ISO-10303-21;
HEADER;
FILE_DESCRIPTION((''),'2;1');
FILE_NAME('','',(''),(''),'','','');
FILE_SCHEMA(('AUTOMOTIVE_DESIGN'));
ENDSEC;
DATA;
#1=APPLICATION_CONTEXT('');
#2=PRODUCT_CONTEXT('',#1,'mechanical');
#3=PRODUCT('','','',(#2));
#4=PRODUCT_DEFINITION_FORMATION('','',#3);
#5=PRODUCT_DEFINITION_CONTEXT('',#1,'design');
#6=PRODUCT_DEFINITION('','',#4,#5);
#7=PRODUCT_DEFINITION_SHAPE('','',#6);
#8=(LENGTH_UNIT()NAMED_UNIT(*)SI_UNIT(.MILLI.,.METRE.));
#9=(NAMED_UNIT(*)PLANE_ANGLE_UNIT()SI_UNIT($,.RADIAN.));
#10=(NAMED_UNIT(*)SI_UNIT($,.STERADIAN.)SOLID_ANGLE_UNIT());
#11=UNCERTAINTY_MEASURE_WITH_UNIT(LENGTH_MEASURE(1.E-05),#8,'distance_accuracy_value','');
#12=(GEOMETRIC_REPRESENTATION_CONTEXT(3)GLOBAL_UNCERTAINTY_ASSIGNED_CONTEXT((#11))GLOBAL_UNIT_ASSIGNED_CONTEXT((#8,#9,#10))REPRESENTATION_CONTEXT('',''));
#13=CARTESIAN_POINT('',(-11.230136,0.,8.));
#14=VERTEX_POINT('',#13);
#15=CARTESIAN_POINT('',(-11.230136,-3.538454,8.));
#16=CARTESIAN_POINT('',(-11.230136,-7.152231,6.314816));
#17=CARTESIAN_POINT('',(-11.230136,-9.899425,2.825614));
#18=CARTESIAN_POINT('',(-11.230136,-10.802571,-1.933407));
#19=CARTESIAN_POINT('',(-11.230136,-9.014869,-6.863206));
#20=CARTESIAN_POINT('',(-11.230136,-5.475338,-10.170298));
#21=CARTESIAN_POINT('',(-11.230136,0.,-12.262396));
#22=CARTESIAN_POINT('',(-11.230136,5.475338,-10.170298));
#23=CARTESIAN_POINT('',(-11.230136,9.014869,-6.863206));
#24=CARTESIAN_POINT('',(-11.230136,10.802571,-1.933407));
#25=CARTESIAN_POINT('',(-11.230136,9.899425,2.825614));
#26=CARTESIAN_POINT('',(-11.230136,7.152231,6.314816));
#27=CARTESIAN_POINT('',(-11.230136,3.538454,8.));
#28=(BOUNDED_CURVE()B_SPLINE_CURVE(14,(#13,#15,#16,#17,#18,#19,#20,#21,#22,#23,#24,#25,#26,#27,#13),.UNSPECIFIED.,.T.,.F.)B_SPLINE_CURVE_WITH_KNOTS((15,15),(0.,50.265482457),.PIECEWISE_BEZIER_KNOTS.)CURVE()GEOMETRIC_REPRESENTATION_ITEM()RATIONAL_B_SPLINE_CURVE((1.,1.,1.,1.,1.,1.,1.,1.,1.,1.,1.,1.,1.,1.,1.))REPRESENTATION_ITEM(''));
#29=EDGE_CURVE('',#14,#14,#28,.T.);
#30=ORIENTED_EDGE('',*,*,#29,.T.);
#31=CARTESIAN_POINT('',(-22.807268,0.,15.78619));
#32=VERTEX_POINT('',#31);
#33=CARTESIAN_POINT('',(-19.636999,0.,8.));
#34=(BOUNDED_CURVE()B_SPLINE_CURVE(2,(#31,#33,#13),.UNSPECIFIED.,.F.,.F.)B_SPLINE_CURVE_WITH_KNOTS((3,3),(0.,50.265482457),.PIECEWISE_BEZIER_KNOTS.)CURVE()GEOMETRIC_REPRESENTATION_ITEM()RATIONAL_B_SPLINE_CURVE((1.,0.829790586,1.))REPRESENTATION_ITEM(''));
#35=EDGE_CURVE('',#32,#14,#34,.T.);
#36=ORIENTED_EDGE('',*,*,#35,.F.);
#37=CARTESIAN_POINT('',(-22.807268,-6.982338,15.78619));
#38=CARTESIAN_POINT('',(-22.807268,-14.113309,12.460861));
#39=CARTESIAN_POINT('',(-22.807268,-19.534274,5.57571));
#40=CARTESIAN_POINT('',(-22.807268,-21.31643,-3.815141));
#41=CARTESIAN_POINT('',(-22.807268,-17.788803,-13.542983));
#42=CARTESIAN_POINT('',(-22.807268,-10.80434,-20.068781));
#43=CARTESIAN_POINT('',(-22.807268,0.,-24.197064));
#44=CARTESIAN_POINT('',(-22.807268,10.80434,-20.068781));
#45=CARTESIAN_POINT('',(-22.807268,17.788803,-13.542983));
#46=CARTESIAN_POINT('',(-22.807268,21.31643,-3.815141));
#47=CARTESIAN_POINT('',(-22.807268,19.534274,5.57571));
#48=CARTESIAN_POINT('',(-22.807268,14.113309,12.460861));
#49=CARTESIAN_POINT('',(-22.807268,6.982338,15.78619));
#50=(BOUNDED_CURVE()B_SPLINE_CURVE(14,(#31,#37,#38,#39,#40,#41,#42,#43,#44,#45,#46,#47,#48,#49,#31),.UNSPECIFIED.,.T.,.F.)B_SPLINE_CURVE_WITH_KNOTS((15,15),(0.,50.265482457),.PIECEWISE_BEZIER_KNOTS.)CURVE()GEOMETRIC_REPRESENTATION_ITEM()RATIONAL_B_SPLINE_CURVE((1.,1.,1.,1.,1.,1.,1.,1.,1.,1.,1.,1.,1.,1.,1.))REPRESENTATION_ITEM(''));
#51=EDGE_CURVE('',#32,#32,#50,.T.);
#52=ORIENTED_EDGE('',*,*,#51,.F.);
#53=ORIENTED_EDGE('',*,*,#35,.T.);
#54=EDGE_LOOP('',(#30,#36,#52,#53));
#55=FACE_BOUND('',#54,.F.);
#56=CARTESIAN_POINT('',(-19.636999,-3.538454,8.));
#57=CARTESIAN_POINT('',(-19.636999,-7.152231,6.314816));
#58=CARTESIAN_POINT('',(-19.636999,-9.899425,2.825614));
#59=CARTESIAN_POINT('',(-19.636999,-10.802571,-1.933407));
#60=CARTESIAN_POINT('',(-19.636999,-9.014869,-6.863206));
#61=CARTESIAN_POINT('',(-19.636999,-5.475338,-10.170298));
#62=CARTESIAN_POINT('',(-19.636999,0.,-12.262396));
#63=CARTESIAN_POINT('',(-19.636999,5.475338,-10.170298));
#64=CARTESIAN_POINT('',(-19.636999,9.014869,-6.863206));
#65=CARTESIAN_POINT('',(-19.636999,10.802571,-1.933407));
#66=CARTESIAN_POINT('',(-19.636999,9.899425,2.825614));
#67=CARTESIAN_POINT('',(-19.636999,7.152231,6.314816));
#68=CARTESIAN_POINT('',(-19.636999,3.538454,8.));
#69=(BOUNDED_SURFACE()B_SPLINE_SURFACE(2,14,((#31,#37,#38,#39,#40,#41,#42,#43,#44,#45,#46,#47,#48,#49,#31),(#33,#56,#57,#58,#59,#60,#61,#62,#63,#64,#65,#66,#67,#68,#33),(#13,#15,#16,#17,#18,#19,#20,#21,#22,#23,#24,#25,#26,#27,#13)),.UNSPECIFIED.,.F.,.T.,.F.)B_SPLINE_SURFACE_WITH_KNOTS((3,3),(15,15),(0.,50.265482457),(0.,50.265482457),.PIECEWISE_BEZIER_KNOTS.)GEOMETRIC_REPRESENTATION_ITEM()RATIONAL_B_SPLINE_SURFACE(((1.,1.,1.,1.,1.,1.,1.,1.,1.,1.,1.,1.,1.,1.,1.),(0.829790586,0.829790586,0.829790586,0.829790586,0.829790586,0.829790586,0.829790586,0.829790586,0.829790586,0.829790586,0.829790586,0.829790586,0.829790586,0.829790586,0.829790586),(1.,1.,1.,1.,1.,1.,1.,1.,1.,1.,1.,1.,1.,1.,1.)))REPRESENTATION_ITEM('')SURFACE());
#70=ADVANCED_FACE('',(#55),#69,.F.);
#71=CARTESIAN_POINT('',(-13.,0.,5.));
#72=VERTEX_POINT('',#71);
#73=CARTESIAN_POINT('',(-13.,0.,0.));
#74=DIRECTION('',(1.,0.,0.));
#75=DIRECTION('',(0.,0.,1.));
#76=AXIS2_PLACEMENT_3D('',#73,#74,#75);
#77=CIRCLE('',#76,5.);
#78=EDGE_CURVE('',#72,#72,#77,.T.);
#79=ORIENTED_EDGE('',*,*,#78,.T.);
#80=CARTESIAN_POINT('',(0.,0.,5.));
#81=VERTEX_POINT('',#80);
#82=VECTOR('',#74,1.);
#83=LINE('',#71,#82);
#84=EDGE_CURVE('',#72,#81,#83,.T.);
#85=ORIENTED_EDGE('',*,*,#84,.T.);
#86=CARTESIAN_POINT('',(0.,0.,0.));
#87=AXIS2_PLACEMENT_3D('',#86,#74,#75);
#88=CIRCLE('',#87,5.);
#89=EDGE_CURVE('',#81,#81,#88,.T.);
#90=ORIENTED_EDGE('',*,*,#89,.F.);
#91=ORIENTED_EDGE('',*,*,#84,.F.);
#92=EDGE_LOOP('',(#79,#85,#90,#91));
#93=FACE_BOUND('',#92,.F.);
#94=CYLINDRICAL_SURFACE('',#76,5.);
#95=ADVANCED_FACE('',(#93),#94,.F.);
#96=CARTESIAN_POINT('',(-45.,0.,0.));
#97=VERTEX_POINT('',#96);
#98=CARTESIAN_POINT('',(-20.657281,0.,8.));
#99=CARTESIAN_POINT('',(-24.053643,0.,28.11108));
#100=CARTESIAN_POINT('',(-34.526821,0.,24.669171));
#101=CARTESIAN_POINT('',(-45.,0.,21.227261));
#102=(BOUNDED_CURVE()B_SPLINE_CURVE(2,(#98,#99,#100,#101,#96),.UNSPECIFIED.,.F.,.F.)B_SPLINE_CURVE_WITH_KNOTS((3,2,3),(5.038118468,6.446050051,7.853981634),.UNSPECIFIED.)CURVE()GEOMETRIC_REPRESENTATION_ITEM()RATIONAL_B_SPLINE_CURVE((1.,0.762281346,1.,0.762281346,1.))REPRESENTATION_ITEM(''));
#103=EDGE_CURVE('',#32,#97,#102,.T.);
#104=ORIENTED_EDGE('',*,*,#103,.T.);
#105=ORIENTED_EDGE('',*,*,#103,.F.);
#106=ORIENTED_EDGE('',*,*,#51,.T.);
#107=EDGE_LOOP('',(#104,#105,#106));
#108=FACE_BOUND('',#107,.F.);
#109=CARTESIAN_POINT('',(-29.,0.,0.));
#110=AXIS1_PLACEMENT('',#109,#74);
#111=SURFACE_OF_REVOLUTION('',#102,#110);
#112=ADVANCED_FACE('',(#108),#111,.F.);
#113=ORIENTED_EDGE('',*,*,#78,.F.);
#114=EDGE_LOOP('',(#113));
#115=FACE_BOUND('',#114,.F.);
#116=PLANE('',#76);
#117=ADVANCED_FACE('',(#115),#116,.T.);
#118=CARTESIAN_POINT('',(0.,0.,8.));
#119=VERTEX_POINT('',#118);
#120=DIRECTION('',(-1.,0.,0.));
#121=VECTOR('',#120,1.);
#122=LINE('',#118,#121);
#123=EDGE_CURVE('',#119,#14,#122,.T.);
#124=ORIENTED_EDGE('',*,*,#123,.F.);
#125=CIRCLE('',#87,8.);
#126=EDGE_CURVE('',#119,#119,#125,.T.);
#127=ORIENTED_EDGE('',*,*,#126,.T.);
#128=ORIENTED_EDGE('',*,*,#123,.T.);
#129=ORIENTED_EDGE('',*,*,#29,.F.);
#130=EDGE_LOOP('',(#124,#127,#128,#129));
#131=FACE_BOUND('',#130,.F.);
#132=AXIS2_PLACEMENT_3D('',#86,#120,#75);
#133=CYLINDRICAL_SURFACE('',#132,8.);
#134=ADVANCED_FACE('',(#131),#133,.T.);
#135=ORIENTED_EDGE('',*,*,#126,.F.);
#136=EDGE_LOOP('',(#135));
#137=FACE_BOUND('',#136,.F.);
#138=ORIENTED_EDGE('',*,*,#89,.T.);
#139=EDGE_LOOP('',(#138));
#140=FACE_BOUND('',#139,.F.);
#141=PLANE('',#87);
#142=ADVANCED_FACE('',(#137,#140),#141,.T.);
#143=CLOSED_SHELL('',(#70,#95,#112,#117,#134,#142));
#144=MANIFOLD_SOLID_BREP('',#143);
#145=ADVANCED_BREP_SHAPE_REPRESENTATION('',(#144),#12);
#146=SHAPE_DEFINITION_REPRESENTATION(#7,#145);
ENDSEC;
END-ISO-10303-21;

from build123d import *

# Parameters (mm, degrees)
F2_R = 12.5


with BuildPart() as f1:
    # F0 (on Front) → F1 (revolve)
    with BuildSketch(Plane.XZ):
        with BuildLine():
            add(Edge.make_bspline(
                [(-20.6572807177, 8), (-24.0536425523, 28.1110798944), (-34.5268212762, 24.6691706804), (-45, 21.2272614664), (-45, 0)],
                knots=[5.0381184677, 5.0381184677, 5.0381184677, 6.4460500508, 6.4460500508, 7.853981634, 7.853981634, 7.853981634], degree=2, weights=[1, 0.7622813464, 1, 0.7622813464, 1]))
            Line((-45, 0), (-13, 0))
            Line((-13, 0), (-13, 5))
            Line((-13, 5), (0, 5))
            Line((0, 5), (0, 8))
            Line((0, 8), (-20.6572807177, 8))
        make_face()
    revolve(axis=Axis((-29, 0, 0), (1, 0, 0)))

    # F2
    f2_edges = [f1.edges().sort_by_distance(p)[0] for p in [
        (-20.657281, 0, -8),
    ]]
    fillet(f2_edges, radius=F2_R)


solid = f1.part
